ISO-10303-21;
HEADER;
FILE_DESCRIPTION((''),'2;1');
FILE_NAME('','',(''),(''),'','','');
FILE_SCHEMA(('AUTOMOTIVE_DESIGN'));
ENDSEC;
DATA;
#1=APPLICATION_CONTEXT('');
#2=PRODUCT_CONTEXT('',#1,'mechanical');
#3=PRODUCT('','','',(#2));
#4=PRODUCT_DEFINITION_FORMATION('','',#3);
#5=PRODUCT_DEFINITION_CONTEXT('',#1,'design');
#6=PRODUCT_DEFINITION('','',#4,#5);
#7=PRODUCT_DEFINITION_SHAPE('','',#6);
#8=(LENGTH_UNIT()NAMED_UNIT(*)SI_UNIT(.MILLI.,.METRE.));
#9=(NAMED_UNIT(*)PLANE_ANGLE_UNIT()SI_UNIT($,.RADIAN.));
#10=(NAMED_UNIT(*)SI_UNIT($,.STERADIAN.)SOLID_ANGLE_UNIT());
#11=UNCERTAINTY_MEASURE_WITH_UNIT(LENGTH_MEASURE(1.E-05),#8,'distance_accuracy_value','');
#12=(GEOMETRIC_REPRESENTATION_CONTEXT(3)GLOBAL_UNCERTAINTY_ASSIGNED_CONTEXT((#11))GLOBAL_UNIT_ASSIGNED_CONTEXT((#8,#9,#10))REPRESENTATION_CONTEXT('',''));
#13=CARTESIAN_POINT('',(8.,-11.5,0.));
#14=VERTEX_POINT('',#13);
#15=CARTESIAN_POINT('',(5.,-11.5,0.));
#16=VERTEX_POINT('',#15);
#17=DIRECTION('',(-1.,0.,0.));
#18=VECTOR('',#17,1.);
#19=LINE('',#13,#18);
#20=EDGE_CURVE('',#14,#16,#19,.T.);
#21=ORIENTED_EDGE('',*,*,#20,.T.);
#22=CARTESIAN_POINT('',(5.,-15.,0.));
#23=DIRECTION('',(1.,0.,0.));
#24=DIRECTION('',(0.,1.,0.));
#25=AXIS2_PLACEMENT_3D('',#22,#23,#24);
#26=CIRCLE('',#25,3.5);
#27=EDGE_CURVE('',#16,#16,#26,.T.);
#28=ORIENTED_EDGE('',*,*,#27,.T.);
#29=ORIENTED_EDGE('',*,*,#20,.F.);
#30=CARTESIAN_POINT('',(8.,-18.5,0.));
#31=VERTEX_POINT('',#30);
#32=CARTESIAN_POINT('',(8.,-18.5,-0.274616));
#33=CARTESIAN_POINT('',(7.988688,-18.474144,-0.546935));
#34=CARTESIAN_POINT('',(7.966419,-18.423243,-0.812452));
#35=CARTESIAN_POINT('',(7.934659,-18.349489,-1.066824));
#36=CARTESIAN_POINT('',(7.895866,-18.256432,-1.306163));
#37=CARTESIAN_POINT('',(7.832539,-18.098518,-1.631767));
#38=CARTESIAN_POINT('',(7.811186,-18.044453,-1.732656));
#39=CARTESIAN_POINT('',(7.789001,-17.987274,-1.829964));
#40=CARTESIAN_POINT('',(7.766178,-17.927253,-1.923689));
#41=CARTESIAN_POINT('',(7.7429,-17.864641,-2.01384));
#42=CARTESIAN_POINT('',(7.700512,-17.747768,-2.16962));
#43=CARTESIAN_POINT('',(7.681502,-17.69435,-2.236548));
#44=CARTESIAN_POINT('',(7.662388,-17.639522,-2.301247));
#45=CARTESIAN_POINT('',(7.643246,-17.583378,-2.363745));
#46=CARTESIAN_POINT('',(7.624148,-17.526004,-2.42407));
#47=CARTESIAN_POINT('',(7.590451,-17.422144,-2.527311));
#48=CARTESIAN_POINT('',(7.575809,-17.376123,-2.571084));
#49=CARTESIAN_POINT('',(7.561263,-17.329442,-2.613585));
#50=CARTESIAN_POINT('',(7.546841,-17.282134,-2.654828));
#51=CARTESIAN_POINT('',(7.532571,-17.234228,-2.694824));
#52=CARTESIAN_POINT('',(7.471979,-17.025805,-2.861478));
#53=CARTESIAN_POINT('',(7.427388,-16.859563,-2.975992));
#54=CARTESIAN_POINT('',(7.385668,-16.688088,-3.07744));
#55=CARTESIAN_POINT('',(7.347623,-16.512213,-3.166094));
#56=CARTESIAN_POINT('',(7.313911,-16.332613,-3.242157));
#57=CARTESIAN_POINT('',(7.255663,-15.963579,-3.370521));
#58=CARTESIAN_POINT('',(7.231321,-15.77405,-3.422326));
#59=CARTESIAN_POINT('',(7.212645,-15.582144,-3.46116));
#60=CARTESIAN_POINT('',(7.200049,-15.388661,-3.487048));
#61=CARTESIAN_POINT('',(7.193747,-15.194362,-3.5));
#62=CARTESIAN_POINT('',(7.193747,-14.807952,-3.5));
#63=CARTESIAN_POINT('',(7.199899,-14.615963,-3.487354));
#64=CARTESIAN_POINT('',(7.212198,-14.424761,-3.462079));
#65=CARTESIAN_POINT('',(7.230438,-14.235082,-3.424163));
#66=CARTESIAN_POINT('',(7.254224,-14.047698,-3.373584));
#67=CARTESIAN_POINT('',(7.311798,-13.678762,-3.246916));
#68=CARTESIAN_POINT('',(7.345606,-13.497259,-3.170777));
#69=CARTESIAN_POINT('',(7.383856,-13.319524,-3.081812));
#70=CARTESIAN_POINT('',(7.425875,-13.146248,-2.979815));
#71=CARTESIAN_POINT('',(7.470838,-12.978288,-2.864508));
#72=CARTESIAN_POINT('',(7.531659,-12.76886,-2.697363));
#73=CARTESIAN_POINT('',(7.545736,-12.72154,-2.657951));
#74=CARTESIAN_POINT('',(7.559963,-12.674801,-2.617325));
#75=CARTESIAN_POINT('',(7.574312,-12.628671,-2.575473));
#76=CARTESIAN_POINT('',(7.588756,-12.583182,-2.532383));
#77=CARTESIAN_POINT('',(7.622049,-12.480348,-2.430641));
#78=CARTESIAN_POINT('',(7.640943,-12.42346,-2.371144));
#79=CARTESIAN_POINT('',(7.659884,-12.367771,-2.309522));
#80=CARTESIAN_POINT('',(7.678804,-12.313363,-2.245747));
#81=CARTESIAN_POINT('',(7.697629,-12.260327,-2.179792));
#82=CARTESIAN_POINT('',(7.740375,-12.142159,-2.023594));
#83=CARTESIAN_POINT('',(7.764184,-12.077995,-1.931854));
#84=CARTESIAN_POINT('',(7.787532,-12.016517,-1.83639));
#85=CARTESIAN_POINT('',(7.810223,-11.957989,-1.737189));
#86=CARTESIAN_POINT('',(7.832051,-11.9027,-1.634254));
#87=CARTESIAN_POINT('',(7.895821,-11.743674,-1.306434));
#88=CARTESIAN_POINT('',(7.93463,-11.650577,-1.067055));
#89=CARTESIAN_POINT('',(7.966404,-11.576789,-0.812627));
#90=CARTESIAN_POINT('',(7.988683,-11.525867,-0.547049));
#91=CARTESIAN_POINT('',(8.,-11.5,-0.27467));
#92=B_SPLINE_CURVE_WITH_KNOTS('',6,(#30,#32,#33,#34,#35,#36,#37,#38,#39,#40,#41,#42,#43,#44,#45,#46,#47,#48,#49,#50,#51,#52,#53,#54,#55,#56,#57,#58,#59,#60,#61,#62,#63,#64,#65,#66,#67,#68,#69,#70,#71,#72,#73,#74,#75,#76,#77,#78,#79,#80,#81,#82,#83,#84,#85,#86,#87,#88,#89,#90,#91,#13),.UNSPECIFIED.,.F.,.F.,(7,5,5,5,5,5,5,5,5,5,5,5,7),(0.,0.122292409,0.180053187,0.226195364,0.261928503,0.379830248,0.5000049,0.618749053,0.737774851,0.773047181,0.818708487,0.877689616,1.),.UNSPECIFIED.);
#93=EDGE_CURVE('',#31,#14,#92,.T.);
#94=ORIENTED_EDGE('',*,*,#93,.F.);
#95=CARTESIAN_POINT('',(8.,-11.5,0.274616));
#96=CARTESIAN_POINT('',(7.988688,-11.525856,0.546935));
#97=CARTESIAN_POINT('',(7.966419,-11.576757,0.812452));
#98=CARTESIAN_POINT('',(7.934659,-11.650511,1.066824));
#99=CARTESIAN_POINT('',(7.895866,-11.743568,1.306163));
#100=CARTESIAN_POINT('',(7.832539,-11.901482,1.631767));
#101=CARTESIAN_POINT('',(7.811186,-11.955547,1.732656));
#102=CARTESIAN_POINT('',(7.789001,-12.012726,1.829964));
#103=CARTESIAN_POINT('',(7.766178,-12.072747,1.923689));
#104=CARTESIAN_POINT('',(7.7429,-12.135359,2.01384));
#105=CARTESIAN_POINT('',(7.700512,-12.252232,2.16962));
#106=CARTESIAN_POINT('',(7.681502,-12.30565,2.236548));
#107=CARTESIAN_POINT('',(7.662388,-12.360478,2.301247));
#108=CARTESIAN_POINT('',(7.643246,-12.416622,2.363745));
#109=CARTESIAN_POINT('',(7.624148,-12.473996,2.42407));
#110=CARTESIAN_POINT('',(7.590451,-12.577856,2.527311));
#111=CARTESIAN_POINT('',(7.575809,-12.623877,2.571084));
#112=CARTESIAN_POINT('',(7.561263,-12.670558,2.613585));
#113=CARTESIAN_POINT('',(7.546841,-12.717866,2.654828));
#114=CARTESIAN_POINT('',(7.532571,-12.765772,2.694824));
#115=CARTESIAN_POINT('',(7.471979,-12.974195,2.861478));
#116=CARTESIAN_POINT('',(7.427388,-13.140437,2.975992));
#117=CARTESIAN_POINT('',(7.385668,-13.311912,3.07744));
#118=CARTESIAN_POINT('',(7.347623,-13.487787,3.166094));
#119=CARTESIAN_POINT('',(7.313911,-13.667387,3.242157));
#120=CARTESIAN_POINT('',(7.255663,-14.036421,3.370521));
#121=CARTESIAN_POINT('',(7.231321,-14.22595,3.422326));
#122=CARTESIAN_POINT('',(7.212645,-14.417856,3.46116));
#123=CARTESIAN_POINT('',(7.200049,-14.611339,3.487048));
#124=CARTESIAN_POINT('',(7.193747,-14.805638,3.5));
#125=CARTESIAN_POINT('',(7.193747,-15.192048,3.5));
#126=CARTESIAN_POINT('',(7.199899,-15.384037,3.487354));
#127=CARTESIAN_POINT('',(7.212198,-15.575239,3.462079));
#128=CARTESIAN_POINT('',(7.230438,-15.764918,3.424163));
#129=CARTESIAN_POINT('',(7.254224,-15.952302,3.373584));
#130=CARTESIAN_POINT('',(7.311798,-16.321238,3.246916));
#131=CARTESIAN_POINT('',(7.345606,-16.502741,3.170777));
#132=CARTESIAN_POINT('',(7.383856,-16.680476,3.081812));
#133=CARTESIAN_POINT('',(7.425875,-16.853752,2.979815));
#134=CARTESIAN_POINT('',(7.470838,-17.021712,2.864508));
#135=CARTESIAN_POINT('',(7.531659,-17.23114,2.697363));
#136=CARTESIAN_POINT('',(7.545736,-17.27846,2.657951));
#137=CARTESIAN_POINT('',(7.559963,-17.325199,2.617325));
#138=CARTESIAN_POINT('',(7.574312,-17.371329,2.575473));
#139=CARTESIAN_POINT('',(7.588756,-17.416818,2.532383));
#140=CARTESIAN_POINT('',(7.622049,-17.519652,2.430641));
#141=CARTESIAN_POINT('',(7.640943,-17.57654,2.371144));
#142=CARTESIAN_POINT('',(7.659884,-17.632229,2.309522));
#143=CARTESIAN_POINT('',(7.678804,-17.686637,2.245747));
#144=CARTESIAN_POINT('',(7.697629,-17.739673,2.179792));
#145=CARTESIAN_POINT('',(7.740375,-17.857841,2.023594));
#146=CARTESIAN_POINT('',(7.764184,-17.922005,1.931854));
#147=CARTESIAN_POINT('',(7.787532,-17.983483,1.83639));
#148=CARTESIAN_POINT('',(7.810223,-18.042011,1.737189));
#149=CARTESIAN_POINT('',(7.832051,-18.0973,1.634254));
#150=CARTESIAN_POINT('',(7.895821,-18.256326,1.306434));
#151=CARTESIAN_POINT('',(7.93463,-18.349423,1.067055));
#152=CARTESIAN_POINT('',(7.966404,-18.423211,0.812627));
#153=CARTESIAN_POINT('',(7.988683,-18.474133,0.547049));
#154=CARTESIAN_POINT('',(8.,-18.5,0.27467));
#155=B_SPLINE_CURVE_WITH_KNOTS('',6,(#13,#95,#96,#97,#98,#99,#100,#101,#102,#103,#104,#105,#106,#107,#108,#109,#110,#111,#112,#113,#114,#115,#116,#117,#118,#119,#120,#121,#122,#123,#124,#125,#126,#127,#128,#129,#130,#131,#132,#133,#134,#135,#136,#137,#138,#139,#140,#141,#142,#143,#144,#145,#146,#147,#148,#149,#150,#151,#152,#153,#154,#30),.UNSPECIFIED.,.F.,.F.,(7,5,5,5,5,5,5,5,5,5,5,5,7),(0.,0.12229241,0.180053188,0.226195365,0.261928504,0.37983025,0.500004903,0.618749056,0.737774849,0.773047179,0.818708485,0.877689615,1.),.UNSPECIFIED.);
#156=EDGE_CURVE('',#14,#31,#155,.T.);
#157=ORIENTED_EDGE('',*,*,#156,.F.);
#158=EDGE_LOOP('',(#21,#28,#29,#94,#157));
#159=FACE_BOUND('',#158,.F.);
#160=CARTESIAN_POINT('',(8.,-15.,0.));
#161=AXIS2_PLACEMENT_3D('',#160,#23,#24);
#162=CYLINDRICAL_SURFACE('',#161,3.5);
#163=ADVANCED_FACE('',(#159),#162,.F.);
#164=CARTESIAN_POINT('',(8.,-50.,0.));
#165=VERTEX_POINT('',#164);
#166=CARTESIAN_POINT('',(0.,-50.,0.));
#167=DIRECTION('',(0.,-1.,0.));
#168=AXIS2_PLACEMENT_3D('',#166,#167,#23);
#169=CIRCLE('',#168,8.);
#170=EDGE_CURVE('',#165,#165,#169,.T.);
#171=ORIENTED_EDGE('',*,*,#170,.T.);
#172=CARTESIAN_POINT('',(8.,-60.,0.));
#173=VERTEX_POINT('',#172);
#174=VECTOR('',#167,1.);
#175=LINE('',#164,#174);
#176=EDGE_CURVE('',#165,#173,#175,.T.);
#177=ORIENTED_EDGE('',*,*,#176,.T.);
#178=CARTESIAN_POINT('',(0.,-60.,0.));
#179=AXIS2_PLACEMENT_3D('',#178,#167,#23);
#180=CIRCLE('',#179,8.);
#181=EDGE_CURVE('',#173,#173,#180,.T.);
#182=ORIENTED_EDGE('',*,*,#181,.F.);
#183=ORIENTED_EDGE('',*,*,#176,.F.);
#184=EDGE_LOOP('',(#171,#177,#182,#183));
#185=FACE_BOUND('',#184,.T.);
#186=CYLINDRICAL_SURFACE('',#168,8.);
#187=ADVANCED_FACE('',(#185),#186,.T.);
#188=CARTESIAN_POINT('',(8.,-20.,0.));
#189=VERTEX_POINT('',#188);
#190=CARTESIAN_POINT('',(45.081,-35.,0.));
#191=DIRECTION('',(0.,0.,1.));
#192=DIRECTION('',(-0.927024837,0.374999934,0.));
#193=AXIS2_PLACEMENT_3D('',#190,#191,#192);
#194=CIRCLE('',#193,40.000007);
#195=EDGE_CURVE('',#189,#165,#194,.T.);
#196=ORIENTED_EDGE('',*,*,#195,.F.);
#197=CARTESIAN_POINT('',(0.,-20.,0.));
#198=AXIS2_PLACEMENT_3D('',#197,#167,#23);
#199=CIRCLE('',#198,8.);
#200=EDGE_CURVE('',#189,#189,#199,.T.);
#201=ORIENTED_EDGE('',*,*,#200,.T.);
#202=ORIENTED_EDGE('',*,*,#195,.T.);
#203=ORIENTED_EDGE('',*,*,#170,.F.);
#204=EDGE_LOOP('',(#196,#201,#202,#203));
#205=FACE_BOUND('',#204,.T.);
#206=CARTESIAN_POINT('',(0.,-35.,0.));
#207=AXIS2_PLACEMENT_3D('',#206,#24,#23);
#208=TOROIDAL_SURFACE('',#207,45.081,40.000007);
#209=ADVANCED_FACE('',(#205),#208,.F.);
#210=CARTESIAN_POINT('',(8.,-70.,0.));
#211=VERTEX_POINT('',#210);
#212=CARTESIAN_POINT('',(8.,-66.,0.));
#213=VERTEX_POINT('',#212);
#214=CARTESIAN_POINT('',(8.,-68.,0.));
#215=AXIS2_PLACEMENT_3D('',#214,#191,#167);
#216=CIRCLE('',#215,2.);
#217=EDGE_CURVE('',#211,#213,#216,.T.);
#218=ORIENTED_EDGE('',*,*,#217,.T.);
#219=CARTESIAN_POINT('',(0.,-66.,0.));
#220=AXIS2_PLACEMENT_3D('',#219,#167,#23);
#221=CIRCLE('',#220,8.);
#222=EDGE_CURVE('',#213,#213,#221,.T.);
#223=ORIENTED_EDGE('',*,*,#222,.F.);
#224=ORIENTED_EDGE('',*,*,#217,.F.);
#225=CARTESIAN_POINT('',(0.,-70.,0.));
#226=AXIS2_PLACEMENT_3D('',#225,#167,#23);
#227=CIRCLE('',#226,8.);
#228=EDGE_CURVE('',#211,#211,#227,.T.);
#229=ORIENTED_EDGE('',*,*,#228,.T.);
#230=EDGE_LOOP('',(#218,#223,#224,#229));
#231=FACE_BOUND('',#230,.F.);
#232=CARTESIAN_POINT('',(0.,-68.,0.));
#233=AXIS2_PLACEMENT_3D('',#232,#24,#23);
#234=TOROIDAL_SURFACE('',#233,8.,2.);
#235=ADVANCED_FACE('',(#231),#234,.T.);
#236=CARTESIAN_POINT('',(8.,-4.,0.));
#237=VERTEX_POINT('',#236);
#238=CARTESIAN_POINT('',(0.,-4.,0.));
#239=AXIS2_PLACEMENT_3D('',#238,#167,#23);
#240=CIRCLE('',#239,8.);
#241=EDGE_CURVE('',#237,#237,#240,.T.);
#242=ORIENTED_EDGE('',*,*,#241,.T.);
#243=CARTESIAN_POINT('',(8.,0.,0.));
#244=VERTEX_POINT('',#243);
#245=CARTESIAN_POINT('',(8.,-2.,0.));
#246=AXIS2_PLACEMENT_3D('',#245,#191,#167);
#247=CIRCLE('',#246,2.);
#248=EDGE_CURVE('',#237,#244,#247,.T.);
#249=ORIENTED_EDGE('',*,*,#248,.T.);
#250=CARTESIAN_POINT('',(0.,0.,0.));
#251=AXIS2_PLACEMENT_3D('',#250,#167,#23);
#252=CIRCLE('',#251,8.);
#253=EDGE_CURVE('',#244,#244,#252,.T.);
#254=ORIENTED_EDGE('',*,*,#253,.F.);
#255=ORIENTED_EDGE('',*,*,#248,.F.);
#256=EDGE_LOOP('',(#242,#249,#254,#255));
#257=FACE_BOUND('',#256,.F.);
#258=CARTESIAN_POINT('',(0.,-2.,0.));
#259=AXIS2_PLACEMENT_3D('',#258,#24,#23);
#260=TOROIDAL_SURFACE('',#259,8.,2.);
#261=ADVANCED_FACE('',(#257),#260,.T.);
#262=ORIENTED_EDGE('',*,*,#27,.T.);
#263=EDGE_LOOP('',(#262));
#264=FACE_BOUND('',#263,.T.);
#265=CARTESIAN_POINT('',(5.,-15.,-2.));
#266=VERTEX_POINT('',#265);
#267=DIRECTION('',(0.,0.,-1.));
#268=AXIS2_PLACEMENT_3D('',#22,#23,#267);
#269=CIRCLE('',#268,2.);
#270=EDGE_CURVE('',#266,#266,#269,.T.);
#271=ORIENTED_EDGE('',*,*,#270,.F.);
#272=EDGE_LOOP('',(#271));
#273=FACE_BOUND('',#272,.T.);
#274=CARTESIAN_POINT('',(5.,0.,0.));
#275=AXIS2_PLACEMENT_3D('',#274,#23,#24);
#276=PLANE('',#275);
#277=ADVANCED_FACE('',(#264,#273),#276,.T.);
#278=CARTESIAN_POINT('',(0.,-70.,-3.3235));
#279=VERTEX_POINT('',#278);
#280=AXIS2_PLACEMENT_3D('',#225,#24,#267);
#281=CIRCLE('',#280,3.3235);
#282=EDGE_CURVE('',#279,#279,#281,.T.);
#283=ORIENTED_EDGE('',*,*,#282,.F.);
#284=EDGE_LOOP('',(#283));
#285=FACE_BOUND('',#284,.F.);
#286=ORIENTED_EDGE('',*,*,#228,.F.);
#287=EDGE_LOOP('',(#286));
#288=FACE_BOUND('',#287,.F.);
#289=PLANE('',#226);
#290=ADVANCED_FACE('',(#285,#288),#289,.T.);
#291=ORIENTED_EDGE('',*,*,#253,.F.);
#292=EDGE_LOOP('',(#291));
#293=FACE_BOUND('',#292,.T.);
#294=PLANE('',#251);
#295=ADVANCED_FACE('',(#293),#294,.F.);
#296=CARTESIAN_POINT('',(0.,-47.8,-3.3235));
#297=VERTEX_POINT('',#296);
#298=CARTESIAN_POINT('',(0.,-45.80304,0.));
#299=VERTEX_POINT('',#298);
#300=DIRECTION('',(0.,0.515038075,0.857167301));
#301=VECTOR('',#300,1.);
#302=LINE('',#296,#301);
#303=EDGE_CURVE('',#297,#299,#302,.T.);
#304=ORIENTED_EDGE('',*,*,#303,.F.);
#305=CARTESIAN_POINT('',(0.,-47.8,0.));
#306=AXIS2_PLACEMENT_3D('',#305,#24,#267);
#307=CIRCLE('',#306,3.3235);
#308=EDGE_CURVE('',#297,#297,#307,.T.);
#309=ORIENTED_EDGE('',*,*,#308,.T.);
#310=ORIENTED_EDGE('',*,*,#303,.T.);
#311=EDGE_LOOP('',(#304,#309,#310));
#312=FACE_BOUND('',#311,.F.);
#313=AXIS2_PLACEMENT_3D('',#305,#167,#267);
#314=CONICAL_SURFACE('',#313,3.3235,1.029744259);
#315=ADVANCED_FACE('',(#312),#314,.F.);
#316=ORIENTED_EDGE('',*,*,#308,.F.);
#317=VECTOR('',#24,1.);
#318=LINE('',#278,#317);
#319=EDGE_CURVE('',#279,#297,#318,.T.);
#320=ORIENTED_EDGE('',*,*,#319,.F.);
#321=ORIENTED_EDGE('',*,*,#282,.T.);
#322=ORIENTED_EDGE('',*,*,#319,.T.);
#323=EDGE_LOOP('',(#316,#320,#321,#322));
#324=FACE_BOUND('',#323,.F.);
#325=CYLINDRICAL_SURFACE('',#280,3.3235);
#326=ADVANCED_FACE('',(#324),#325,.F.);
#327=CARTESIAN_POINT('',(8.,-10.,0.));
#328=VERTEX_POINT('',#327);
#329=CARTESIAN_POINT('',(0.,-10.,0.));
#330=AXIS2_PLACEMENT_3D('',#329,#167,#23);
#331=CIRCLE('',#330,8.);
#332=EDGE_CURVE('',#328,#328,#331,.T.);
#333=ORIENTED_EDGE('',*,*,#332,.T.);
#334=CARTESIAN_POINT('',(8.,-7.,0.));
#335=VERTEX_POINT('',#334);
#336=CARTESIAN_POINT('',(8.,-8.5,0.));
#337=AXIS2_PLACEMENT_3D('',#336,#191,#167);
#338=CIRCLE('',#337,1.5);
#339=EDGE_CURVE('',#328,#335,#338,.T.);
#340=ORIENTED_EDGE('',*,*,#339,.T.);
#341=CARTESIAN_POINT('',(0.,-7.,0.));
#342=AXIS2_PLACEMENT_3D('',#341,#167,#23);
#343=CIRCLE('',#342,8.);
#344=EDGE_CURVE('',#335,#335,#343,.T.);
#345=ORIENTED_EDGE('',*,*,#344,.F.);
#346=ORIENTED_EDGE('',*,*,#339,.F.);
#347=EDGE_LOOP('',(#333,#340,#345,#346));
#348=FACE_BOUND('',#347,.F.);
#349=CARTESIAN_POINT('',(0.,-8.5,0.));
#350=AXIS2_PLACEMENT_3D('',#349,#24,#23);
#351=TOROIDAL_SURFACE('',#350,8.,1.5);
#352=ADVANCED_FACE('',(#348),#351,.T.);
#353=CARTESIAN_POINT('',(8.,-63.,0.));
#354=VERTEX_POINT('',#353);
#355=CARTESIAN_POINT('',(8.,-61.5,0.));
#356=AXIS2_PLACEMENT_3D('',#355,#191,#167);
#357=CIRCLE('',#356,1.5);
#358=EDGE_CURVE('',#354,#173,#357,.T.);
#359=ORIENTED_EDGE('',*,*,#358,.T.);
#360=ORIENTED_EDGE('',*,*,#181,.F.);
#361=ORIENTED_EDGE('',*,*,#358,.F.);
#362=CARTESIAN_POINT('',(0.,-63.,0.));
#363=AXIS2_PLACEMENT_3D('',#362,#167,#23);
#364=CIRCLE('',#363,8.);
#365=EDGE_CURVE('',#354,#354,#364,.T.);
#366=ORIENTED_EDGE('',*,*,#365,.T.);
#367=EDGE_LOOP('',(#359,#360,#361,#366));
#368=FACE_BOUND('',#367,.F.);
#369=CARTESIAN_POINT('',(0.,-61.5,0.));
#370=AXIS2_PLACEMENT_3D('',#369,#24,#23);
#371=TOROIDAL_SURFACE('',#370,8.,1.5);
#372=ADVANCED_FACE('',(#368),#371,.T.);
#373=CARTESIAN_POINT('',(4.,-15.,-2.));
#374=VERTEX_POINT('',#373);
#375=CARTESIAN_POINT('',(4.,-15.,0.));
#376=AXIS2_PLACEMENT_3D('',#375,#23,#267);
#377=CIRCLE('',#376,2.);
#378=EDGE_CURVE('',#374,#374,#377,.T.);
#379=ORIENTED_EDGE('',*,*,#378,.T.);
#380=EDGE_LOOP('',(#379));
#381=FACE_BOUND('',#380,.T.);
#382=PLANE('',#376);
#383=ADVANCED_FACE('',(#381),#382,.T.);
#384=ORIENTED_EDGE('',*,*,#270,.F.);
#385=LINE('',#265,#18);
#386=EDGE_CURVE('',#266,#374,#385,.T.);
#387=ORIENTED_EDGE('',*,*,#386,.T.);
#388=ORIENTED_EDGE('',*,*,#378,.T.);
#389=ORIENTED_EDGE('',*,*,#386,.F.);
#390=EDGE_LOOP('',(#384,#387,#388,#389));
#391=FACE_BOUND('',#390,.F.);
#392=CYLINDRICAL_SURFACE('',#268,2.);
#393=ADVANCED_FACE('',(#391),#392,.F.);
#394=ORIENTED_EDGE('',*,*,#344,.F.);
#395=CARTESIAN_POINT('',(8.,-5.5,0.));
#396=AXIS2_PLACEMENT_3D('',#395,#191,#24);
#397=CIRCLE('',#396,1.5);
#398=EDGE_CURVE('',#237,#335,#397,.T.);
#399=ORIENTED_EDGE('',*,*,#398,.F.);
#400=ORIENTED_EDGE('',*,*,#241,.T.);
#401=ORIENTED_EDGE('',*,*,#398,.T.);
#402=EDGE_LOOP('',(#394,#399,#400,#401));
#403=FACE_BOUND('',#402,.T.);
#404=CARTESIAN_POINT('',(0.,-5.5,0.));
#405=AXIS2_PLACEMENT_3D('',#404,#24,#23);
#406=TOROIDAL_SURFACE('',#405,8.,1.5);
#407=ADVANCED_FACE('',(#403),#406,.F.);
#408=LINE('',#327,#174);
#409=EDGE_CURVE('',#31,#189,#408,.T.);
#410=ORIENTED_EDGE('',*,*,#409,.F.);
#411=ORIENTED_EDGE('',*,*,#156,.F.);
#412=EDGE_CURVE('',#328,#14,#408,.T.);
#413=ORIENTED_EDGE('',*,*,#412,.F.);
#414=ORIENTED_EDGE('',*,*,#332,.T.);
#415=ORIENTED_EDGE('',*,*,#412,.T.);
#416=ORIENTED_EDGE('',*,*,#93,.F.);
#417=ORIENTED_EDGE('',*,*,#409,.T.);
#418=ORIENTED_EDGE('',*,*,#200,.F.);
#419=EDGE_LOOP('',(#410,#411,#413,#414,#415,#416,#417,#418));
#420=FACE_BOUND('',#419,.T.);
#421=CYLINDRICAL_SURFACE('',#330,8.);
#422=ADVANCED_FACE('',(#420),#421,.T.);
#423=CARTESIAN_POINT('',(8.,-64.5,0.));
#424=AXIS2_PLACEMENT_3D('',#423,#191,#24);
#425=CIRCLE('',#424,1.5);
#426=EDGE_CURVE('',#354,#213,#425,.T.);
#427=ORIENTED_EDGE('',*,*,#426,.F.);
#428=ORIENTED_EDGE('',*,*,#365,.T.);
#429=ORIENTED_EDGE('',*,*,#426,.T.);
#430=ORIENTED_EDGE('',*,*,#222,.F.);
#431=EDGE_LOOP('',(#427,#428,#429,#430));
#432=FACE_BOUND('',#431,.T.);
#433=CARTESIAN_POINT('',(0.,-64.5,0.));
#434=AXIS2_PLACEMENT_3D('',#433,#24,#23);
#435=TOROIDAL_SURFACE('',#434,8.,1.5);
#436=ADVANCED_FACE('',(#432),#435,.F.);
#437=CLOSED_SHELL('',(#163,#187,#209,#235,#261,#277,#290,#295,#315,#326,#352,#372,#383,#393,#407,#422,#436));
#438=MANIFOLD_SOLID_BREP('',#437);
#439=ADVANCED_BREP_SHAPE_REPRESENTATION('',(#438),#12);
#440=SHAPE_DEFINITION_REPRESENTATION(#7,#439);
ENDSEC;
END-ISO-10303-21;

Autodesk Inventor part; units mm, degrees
ref_plane "XZ Plane" through (0, 0, 0) normal (0, 1, 0) x (-1, 0, 0)
sketch "Sketch1" plane through (0, 0, 0) normal (0, 0, 1) x (1, 0, 0)
  line L0 (0, 0) -> (0, -70)
  line L1 (0, 0) -> (8, 0)
  line L2 (8, 0) -> (8, -4) construction
  arc A0 (8, -4) -> (8, 0) centre (8, -2) ccw
  arc A1 (8, -4) -> (8, -7) centre (8, -5.5) ccw
  line L3 (8, -5.5) -> (4.7369, -5.5) construction
  arc A2 (8, -10) -> (8, -7) centre (8, -8.5) ccw
  line L4 (0, -70) -> (8, -70)
  line L5 (8, -70) -> (8, -66) construction
  arc A3 (8, -70) -> (8, -66) centre (8, -68) ccw
  arc A4 (8, -63) -> (8, -66) centre (8, -64.5) ccw
  arc A5 (8, -63) -> (8, -60) centre (8, -61.5) ccw
  arc A6 (8, -20) -> (8, -50) centre (45.081, -35) ccw
  line L6 (8, -10) -> (8, -20)
  line L7 (8, -50) -> (8, -60)
  dimension "d1" = 10
  dimension "d2" = 4
  dimension "d3" = 1.5
  dimension "d4" = 3
  dimension "d5" = 3
  dimension "d6" = 1.5
  dimension "d7" = 4
  dimension "d8" = 10
  dimension "d9" = 1.5
  dimension "d10" = 3
  dimension "d11" = 3
  dimension "d12" = 1.5
  dimension "d16" = 20
  dimension "d17" = 20
  dimension "d18" = 40
  dimension "d19" = 10
  dimension "d20" = 10
revolve "Revolution1" add sketch "Sketch1" angle 360 about axis through (0, 0, 0) along (0, -1, 0)
ref_plane "Work Plane1" through (8, 0, 0) normal (1, 0, 0) x (0, 1, 0)
sketch "Sketch3" plane through (8, 0, 0) normal (1, 0, 0) x (0, 1, 0)
  circle A0 centre (-15, 0) radius 3.5
  line L0 (-70, 8) -> (-70, -8) projected
  point P0 (0, 0)
  dimension "d24" = 7
  dimension "d25" = 55
extrude "Extrusion2" cut sketch "Sketch3" against normal blind 3
ref_plane "Work Plane2" through (-8, 0, 0) normal (1, 0, 0) x (0, 1, 0)
sketch "Sketch5" plane through (0, -70, 0) normal (0, -1, 0) x (1, 0, 0)
  point P0 (0, 0)
  point P1 (0, 0)
hole "Hole1" at (0, -70, 0) direction (0, 1, 0) diameter 6.647 depth 22.2 tip angle 118 thread size "M8x1.25" class "6H" standard "ISO Metric profile"
sketch "Sketch6" plane through (5, -15, 0) normal (1, 0, 0) x (0, 0, -1)
  circle A0 centre (0, 0) radius 2
  line L0 (-8, -55) -> (8, -55) projected
  point P0 (0, 15)
  point P1 (0, 3.5)
  point P2 (0, -3.5)
  dimension "d39" = 4
  dimension "d40" = 55
extrude "Extrusion4" cut sketch "Sketch6" against normal blind 1
properties part number "Wheel Shaft Pillar - 2" material "Stainless Steel"
